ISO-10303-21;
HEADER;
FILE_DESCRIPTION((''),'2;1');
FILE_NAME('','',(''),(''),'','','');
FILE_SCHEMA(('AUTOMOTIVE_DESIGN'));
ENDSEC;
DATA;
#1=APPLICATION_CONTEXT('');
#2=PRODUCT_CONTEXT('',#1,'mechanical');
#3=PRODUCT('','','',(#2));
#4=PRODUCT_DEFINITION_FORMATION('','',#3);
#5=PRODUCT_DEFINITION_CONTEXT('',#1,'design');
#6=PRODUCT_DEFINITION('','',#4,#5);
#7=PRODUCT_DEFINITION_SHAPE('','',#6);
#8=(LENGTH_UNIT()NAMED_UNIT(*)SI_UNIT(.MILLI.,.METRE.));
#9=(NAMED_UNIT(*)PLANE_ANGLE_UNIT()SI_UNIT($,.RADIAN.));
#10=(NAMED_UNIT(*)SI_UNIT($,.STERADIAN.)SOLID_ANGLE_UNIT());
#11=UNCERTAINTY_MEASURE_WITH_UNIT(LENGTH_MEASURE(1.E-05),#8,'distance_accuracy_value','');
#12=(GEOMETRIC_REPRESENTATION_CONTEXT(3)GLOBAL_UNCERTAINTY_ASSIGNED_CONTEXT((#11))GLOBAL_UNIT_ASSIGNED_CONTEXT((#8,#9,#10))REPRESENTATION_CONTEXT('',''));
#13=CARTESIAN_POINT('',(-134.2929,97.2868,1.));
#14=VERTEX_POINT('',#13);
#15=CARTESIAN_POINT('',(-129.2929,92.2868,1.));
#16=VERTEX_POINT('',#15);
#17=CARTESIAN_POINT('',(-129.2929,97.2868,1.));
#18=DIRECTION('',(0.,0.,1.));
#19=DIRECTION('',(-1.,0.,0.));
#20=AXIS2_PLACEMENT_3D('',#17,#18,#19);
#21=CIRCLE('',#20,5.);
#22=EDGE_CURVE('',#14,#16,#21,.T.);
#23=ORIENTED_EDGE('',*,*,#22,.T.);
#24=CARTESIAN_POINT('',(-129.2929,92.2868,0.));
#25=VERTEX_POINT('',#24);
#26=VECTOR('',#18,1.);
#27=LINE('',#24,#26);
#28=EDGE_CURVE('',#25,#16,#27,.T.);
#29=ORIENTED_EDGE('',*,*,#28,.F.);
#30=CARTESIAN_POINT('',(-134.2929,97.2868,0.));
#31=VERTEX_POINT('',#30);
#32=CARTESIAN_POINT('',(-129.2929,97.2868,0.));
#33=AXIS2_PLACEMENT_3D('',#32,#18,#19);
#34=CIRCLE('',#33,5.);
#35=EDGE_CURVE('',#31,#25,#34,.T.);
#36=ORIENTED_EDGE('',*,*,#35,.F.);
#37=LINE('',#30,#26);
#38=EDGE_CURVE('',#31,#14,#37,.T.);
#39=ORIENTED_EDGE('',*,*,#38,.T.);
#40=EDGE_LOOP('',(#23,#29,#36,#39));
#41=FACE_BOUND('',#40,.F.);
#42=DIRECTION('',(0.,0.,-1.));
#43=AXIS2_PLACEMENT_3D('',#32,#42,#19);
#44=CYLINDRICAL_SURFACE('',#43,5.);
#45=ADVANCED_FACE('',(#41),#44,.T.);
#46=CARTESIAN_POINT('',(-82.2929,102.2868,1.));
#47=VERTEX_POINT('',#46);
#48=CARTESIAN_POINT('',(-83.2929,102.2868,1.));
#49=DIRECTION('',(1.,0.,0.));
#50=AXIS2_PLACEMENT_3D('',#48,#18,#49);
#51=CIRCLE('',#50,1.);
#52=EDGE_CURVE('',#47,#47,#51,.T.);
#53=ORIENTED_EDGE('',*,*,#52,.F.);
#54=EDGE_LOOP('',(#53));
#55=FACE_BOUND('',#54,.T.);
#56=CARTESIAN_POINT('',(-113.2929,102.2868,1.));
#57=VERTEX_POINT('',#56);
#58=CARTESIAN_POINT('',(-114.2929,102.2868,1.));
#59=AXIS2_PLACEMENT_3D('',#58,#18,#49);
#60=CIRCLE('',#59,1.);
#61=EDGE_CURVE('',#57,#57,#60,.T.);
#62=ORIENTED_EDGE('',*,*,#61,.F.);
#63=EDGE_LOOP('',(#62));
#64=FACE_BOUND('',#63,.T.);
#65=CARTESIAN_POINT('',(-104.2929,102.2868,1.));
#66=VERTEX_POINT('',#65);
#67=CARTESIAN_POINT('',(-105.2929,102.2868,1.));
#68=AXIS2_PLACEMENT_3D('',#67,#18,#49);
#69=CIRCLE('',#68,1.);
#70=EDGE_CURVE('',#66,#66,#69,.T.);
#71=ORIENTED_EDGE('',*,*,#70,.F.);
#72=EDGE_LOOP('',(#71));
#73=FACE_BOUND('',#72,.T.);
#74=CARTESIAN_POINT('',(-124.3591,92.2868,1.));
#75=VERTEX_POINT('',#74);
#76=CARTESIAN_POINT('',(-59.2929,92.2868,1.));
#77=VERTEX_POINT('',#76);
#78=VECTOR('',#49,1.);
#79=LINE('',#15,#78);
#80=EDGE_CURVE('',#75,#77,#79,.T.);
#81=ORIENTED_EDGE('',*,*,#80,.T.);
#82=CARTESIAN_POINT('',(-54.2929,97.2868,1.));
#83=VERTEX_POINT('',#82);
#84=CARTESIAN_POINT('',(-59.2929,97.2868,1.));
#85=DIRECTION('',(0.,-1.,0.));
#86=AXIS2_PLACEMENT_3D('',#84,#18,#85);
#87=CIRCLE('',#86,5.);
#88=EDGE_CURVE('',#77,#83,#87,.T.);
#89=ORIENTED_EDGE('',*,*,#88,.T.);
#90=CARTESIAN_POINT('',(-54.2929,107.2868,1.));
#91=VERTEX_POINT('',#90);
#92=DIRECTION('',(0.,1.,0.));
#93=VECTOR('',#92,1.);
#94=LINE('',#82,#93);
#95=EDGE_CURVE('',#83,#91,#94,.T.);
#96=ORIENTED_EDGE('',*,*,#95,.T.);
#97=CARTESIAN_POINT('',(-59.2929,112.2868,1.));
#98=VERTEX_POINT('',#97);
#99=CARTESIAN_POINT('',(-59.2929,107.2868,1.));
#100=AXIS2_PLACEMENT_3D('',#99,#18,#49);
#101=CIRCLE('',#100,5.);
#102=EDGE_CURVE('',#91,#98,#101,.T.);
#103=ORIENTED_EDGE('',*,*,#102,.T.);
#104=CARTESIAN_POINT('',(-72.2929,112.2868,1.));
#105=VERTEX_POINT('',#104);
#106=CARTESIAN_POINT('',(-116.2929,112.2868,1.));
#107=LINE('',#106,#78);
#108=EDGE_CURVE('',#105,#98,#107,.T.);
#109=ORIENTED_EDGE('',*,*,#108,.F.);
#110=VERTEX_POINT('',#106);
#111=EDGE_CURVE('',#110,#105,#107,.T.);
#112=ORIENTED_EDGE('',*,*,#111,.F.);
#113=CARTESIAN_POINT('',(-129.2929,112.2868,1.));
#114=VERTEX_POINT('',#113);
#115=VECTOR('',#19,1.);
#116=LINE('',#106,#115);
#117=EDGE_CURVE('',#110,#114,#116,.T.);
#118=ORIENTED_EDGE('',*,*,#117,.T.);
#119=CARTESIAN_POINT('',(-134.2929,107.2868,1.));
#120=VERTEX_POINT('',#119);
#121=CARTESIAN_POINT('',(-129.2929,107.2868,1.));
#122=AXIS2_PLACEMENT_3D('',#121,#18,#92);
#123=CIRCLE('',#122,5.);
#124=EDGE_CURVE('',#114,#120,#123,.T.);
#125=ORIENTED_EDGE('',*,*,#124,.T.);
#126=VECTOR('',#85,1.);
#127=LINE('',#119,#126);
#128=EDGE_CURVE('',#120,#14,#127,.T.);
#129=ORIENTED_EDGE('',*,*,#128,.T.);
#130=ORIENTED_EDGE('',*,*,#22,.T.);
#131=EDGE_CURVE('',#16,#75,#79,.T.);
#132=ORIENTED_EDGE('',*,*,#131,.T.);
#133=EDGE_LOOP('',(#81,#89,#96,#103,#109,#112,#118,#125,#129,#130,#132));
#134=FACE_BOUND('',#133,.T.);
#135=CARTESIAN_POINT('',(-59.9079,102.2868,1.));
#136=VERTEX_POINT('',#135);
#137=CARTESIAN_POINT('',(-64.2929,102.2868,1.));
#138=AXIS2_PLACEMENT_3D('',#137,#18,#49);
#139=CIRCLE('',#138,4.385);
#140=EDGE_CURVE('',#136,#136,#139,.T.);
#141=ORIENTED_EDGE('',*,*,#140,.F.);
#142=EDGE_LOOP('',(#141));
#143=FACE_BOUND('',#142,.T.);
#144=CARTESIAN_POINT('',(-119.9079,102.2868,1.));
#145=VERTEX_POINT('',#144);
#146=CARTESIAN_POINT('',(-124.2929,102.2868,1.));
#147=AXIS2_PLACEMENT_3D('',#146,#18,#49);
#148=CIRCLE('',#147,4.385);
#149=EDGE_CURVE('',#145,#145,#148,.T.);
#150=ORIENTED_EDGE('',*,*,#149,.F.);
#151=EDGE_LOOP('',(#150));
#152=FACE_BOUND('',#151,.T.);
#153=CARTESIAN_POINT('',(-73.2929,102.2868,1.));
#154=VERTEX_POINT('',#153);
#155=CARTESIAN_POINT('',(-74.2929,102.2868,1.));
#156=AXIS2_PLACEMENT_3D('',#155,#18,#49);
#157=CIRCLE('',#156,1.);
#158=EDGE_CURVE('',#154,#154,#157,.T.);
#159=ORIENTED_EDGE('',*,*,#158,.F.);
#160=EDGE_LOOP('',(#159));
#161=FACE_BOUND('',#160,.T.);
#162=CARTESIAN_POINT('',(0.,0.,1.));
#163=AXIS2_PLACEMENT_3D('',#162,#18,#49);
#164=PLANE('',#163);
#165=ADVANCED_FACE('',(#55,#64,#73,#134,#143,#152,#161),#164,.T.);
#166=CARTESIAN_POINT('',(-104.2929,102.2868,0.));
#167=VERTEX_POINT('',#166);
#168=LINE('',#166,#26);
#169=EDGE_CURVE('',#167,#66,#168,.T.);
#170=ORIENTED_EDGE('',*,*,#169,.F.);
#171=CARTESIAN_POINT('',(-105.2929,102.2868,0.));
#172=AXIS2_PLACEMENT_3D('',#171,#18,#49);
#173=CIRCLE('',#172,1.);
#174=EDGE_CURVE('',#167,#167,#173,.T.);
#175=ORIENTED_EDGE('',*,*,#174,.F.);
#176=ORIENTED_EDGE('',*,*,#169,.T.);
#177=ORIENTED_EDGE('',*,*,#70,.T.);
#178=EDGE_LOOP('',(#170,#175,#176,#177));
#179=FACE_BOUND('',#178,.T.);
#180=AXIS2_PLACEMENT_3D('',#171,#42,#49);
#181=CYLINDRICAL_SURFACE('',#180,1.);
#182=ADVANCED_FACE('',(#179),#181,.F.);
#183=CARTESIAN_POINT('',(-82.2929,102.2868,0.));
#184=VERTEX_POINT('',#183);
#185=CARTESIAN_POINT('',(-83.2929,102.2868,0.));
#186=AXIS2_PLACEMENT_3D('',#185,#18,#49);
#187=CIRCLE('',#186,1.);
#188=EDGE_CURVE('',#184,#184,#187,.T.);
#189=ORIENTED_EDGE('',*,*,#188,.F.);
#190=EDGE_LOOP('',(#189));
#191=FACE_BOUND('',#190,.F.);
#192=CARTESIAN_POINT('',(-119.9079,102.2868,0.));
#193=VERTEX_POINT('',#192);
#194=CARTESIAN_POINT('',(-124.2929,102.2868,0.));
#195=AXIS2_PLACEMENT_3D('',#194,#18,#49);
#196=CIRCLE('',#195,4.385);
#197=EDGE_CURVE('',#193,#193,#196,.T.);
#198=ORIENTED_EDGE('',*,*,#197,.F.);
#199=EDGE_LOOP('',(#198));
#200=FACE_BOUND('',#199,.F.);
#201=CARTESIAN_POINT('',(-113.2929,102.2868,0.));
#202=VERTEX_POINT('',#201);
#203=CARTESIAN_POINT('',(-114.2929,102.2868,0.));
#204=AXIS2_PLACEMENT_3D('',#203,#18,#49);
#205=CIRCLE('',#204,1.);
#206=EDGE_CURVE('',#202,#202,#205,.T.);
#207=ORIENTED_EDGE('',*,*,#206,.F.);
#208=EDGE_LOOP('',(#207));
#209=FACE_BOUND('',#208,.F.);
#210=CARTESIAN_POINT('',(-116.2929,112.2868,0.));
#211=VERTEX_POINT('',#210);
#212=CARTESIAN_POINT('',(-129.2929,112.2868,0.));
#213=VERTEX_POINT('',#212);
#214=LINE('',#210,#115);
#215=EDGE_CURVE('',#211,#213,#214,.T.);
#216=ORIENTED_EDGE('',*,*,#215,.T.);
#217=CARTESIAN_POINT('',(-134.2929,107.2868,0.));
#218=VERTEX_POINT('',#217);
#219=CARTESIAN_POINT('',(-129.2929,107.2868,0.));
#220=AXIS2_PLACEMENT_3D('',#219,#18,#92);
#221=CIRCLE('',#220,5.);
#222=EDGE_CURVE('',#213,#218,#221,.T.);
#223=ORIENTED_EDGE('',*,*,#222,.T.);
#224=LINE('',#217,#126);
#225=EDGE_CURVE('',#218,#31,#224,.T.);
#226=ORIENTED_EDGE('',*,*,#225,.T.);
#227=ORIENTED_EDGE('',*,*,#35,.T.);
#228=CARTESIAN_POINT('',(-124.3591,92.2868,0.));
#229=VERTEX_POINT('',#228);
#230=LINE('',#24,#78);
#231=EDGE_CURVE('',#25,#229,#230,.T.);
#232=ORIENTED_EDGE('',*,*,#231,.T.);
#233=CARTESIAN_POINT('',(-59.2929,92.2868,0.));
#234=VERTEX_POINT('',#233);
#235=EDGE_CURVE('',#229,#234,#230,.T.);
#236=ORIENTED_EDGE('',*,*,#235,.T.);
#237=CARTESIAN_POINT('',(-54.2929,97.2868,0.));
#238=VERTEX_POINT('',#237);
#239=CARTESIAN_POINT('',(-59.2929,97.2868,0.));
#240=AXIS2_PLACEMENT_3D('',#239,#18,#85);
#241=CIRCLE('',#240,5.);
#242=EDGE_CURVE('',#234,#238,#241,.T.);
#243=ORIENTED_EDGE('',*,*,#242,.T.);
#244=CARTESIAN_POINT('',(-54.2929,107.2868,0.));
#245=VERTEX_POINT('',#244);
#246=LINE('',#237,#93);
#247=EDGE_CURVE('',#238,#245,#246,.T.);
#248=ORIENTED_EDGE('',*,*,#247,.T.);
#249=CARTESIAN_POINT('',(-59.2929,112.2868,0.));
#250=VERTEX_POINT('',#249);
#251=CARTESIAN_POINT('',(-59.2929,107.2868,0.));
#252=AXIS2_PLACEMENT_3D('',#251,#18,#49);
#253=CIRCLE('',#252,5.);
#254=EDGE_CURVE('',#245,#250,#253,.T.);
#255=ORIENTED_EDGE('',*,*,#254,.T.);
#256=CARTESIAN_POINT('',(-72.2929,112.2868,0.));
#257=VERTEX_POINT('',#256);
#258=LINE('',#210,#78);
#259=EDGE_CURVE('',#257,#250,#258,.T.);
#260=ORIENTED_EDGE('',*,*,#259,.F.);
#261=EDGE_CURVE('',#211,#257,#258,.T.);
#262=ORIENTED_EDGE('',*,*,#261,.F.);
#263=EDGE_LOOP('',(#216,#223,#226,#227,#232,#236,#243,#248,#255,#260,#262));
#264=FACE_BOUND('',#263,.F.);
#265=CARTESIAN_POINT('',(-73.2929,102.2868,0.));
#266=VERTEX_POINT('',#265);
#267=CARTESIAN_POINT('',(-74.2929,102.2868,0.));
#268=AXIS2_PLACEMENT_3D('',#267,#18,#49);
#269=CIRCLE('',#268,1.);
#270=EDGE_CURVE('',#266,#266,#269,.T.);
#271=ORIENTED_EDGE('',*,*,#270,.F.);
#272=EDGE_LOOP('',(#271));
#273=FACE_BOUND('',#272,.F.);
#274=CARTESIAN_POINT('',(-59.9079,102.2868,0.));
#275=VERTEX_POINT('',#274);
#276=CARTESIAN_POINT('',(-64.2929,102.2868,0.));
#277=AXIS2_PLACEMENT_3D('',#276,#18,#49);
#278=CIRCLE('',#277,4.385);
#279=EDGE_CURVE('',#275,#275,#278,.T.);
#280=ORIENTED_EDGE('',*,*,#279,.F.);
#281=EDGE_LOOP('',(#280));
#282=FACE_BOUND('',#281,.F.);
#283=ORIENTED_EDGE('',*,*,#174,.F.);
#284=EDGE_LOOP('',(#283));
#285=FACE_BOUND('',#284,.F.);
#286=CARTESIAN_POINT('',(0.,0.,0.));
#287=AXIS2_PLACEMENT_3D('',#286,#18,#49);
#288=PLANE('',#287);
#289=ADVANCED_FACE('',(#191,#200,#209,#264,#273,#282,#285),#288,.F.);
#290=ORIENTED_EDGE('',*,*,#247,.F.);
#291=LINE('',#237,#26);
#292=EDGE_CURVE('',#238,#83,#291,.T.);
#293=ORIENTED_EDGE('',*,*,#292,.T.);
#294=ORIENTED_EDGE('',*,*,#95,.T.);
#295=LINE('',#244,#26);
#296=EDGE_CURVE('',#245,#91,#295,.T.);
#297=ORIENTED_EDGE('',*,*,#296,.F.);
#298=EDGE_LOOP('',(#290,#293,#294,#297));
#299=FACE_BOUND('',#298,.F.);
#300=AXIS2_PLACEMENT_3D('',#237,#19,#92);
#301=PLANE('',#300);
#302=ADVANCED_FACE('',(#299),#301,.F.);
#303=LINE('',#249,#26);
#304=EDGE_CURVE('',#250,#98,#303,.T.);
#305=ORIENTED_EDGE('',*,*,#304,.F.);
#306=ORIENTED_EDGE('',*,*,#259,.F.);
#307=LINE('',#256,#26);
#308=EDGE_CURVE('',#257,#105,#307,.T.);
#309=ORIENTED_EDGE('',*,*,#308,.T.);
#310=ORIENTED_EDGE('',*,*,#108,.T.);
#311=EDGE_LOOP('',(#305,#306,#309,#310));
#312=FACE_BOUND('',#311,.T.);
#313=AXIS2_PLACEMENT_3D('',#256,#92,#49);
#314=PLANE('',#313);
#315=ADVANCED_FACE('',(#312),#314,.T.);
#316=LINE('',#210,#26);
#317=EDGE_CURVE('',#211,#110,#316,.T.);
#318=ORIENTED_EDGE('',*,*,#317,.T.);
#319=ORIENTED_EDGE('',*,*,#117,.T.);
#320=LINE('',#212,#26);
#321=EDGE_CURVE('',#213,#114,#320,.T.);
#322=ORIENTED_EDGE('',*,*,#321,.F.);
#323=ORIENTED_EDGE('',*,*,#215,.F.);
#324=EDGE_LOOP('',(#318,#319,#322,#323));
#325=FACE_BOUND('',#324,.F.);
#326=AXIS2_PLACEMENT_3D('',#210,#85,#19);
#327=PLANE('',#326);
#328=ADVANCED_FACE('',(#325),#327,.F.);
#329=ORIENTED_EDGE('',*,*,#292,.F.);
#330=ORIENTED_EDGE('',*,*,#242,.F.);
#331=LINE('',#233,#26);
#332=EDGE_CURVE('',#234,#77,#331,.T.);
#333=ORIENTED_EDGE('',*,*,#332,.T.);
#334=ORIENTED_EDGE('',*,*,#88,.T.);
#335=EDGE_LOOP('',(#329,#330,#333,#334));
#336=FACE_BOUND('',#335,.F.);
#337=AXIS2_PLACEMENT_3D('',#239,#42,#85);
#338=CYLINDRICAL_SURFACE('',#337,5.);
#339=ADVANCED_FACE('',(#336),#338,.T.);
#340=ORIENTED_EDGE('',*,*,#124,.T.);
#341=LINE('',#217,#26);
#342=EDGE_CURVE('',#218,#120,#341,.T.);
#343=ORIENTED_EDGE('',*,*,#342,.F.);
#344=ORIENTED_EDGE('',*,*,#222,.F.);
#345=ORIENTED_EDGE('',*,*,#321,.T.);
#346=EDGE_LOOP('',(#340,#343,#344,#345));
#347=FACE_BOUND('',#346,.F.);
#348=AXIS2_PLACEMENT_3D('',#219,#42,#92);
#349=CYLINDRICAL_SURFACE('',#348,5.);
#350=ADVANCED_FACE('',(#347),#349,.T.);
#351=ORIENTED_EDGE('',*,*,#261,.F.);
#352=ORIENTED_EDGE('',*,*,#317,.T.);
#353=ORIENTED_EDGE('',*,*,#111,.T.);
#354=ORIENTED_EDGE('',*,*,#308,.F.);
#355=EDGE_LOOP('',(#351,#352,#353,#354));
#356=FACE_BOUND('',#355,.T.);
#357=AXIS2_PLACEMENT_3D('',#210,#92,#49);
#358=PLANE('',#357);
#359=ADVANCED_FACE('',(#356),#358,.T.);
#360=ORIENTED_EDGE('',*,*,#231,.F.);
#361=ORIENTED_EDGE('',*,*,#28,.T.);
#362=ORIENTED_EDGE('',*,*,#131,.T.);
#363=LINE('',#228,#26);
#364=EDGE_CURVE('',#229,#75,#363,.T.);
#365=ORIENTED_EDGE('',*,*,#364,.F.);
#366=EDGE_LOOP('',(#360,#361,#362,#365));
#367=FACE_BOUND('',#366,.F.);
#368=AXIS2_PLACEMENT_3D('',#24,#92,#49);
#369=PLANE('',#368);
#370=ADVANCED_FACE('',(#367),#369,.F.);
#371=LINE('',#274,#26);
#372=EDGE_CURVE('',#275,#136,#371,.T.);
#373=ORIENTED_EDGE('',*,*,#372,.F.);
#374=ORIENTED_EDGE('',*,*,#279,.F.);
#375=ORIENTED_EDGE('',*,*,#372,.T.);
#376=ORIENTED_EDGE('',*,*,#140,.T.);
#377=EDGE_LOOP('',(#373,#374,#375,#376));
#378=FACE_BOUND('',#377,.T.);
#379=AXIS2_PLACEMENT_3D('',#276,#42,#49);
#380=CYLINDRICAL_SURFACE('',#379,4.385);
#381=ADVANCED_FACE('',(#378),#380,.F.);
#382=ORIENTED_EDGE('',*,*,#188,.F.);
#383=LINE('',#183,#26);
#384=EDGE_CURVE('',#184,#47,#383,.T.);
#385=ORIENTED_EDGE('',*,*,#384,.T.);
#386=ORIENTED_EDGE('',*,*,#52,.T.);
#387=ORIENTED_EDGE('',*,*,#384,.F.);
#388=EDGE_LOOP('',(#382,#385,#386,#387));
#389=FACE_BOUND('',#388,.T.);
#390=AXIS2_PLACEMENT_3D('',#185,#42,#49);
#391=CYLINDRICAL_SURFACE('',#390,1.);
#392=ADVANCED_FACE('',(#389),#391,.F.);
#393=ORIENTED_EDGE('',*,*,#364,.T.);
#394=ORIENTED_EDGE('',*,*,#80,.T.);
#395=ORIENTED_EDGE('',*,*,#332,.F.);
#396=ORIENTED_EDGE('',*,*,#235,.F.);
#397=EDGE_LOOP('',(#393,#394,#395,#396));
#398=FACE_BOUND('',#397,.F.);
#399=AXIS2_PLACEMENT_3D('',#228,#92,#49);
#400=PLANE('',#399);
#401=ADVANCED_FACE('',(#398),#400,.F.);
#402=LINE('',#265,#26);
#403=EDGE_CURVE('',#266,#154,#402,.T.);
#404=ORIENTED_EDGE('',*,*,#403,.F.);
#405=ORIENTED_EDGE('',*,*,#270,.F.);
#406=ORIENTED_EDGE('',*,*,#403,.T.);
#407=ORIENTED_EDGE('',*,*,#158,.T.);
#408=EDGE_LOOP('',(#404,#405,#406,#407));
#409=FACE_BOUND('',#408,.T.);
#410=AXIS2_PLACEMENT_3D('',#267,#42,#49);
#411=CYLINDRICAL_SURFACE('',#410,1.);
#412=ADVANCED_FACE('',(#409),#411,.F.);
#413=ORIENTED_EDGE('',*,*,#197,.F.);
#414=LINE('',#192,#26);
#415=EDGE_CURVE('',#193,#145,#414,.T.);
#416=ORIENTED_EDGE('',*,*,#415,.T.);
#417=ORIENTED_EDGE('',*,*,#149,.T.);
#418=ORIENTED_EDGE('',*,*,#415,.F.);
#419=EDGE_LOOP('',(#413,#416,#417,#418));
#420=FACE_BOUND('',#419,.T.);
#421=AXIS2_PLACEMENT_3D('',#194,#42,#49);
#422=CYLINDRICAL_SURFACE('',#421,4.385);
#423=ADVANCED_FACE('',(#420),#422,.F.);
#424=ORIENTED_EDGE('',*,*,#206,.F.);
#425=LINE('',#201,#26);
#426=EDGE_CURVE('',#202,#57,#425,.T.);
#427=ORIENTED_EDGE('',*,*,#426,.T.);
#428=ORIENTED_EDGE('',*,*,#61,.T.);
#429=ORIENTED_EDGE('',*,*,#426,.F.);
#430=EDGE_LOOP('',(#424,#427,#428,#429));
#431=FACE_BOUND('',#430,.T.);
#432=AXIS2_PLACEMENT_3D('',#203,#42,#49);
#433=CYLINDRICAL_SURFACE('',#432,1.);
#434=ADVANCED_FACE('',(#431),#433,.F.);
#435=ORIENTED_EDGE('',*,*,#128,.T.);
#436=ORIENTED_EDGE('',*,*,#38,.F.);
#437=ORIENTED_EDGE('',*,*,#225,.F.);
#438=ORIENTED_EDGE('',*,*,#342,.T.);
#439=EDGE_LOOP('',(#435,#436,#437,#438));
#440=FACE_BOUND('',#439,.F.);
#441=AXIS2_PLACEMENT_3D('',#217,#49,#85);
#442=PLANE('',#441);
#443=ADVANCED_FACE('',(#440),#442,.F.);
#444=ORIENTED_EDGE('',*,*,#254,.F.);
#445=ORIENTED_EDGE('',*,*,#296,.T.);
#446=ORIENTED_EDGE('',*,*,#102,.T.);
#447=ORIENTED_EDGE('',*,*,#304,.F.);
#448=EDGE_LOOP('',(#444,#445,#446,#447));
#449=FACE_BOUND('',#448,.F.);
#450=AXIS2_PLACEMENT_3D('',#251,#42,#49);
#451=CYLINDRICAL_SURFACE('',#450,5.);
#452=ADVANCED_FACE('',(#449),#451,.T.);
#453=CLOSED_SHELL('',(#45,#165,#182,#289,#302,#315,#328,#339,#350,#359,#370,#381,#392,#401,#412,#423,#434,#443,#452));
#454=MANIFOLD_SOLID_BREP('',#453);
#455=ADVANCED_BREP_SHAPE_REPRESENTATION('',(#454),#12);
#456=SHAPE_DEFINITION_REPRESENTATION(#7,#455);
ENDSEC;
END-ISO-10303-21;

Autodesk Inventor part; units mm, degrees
ref_plane "YZ Plane" through (0, 0, 0) normal (1, 0, 0) x (0, 1, 0)
ref_plane "XZ Plane" through (0, 0, 0) normal (0, 1, 0) x (-1, 0, 0)
ref_plane "XY Plane" through (0, 0, 0) normal (0, 0, 1) x (1, 0, 0)
sketch "Sketch1" plane through (0, 0, 0) normal (0, 0, 1) x (1, 0, 0)
  circle A0 centre (-124.2929, 102.2868) radius 4.385
  circle A1 centre (-64.2929, 102.2868) radius 4.385
  line L0 (-116.2929, 112.2868) -> (-59.2929, 112.2868)
  line L1 (-129.2929, 92.2868) -> (-59.2929, 92.2868)
  line L2 (-124.3591, 92.2868) -> (-129.2929, 92.2868)
  line L3 (-134.2929, 107.2868) -> (-134.2929, 97.2868)
  line L4 (-54.2929, 97.2868) -> (-54.2929, 107.2868)
  arc A2 (-129.2929, 112.2868) -> (-134.2929, 107.2868) centre (-129.2929, 107.2868) ccw
  arc A3 (-134.2929, 97.2868) -> (-129.2929, 92.2868) centre (-129.2929, 97.2868) ccw
  arc A4 (-59.2929, 92.2868) -> (-54.2929, 97.2868) centre (-59.2929, 97.2868) ccw
  arc A5 (-54.2929, 107.2868) -> (-59.2929, 112.2868) centre (-59.2929, 107.2868) ccw
  line L5 (-59.2929, 112.2868) -> (-72.2929, 112.2868)
  line L6 (-116.2929, 112.2868) -> (-129.2929, 112.2868)
  circle A6 centre (-114.2929, 102.2868) radius 1
  circle A7 centre (-105.2929, 102.2868) radius 1
  circle A8 centre (-74.2929, 102.2868) radius 1
  circle A9 centre (-83.2929, 102.2868) radius 1
  point P0 (-126.1429, 102.2868)
  point P1 (-79.2929, 92.2868)
  dimension "d109" = 10
  dimension "d110" = 10
  dimension "d111" = 8.77
  dimension "d112" = 8.77
  dimension "d113" = 2
  dimension "d114" = 2
  dimension "d115" = 10
  dimension "d116" = 9
  dimension "d117" = 2
  dimension "d118" = 2
  dimension "d119" = 10
  dimension "d120" = 9
  dimension "d121" = 60
  dimension "d126" = 10
  dimension "d401" = 20
extrude "Extrusion1" add sketch "Sketch1" along normal blind 1
properties part number "sketch femur 6 cm"
